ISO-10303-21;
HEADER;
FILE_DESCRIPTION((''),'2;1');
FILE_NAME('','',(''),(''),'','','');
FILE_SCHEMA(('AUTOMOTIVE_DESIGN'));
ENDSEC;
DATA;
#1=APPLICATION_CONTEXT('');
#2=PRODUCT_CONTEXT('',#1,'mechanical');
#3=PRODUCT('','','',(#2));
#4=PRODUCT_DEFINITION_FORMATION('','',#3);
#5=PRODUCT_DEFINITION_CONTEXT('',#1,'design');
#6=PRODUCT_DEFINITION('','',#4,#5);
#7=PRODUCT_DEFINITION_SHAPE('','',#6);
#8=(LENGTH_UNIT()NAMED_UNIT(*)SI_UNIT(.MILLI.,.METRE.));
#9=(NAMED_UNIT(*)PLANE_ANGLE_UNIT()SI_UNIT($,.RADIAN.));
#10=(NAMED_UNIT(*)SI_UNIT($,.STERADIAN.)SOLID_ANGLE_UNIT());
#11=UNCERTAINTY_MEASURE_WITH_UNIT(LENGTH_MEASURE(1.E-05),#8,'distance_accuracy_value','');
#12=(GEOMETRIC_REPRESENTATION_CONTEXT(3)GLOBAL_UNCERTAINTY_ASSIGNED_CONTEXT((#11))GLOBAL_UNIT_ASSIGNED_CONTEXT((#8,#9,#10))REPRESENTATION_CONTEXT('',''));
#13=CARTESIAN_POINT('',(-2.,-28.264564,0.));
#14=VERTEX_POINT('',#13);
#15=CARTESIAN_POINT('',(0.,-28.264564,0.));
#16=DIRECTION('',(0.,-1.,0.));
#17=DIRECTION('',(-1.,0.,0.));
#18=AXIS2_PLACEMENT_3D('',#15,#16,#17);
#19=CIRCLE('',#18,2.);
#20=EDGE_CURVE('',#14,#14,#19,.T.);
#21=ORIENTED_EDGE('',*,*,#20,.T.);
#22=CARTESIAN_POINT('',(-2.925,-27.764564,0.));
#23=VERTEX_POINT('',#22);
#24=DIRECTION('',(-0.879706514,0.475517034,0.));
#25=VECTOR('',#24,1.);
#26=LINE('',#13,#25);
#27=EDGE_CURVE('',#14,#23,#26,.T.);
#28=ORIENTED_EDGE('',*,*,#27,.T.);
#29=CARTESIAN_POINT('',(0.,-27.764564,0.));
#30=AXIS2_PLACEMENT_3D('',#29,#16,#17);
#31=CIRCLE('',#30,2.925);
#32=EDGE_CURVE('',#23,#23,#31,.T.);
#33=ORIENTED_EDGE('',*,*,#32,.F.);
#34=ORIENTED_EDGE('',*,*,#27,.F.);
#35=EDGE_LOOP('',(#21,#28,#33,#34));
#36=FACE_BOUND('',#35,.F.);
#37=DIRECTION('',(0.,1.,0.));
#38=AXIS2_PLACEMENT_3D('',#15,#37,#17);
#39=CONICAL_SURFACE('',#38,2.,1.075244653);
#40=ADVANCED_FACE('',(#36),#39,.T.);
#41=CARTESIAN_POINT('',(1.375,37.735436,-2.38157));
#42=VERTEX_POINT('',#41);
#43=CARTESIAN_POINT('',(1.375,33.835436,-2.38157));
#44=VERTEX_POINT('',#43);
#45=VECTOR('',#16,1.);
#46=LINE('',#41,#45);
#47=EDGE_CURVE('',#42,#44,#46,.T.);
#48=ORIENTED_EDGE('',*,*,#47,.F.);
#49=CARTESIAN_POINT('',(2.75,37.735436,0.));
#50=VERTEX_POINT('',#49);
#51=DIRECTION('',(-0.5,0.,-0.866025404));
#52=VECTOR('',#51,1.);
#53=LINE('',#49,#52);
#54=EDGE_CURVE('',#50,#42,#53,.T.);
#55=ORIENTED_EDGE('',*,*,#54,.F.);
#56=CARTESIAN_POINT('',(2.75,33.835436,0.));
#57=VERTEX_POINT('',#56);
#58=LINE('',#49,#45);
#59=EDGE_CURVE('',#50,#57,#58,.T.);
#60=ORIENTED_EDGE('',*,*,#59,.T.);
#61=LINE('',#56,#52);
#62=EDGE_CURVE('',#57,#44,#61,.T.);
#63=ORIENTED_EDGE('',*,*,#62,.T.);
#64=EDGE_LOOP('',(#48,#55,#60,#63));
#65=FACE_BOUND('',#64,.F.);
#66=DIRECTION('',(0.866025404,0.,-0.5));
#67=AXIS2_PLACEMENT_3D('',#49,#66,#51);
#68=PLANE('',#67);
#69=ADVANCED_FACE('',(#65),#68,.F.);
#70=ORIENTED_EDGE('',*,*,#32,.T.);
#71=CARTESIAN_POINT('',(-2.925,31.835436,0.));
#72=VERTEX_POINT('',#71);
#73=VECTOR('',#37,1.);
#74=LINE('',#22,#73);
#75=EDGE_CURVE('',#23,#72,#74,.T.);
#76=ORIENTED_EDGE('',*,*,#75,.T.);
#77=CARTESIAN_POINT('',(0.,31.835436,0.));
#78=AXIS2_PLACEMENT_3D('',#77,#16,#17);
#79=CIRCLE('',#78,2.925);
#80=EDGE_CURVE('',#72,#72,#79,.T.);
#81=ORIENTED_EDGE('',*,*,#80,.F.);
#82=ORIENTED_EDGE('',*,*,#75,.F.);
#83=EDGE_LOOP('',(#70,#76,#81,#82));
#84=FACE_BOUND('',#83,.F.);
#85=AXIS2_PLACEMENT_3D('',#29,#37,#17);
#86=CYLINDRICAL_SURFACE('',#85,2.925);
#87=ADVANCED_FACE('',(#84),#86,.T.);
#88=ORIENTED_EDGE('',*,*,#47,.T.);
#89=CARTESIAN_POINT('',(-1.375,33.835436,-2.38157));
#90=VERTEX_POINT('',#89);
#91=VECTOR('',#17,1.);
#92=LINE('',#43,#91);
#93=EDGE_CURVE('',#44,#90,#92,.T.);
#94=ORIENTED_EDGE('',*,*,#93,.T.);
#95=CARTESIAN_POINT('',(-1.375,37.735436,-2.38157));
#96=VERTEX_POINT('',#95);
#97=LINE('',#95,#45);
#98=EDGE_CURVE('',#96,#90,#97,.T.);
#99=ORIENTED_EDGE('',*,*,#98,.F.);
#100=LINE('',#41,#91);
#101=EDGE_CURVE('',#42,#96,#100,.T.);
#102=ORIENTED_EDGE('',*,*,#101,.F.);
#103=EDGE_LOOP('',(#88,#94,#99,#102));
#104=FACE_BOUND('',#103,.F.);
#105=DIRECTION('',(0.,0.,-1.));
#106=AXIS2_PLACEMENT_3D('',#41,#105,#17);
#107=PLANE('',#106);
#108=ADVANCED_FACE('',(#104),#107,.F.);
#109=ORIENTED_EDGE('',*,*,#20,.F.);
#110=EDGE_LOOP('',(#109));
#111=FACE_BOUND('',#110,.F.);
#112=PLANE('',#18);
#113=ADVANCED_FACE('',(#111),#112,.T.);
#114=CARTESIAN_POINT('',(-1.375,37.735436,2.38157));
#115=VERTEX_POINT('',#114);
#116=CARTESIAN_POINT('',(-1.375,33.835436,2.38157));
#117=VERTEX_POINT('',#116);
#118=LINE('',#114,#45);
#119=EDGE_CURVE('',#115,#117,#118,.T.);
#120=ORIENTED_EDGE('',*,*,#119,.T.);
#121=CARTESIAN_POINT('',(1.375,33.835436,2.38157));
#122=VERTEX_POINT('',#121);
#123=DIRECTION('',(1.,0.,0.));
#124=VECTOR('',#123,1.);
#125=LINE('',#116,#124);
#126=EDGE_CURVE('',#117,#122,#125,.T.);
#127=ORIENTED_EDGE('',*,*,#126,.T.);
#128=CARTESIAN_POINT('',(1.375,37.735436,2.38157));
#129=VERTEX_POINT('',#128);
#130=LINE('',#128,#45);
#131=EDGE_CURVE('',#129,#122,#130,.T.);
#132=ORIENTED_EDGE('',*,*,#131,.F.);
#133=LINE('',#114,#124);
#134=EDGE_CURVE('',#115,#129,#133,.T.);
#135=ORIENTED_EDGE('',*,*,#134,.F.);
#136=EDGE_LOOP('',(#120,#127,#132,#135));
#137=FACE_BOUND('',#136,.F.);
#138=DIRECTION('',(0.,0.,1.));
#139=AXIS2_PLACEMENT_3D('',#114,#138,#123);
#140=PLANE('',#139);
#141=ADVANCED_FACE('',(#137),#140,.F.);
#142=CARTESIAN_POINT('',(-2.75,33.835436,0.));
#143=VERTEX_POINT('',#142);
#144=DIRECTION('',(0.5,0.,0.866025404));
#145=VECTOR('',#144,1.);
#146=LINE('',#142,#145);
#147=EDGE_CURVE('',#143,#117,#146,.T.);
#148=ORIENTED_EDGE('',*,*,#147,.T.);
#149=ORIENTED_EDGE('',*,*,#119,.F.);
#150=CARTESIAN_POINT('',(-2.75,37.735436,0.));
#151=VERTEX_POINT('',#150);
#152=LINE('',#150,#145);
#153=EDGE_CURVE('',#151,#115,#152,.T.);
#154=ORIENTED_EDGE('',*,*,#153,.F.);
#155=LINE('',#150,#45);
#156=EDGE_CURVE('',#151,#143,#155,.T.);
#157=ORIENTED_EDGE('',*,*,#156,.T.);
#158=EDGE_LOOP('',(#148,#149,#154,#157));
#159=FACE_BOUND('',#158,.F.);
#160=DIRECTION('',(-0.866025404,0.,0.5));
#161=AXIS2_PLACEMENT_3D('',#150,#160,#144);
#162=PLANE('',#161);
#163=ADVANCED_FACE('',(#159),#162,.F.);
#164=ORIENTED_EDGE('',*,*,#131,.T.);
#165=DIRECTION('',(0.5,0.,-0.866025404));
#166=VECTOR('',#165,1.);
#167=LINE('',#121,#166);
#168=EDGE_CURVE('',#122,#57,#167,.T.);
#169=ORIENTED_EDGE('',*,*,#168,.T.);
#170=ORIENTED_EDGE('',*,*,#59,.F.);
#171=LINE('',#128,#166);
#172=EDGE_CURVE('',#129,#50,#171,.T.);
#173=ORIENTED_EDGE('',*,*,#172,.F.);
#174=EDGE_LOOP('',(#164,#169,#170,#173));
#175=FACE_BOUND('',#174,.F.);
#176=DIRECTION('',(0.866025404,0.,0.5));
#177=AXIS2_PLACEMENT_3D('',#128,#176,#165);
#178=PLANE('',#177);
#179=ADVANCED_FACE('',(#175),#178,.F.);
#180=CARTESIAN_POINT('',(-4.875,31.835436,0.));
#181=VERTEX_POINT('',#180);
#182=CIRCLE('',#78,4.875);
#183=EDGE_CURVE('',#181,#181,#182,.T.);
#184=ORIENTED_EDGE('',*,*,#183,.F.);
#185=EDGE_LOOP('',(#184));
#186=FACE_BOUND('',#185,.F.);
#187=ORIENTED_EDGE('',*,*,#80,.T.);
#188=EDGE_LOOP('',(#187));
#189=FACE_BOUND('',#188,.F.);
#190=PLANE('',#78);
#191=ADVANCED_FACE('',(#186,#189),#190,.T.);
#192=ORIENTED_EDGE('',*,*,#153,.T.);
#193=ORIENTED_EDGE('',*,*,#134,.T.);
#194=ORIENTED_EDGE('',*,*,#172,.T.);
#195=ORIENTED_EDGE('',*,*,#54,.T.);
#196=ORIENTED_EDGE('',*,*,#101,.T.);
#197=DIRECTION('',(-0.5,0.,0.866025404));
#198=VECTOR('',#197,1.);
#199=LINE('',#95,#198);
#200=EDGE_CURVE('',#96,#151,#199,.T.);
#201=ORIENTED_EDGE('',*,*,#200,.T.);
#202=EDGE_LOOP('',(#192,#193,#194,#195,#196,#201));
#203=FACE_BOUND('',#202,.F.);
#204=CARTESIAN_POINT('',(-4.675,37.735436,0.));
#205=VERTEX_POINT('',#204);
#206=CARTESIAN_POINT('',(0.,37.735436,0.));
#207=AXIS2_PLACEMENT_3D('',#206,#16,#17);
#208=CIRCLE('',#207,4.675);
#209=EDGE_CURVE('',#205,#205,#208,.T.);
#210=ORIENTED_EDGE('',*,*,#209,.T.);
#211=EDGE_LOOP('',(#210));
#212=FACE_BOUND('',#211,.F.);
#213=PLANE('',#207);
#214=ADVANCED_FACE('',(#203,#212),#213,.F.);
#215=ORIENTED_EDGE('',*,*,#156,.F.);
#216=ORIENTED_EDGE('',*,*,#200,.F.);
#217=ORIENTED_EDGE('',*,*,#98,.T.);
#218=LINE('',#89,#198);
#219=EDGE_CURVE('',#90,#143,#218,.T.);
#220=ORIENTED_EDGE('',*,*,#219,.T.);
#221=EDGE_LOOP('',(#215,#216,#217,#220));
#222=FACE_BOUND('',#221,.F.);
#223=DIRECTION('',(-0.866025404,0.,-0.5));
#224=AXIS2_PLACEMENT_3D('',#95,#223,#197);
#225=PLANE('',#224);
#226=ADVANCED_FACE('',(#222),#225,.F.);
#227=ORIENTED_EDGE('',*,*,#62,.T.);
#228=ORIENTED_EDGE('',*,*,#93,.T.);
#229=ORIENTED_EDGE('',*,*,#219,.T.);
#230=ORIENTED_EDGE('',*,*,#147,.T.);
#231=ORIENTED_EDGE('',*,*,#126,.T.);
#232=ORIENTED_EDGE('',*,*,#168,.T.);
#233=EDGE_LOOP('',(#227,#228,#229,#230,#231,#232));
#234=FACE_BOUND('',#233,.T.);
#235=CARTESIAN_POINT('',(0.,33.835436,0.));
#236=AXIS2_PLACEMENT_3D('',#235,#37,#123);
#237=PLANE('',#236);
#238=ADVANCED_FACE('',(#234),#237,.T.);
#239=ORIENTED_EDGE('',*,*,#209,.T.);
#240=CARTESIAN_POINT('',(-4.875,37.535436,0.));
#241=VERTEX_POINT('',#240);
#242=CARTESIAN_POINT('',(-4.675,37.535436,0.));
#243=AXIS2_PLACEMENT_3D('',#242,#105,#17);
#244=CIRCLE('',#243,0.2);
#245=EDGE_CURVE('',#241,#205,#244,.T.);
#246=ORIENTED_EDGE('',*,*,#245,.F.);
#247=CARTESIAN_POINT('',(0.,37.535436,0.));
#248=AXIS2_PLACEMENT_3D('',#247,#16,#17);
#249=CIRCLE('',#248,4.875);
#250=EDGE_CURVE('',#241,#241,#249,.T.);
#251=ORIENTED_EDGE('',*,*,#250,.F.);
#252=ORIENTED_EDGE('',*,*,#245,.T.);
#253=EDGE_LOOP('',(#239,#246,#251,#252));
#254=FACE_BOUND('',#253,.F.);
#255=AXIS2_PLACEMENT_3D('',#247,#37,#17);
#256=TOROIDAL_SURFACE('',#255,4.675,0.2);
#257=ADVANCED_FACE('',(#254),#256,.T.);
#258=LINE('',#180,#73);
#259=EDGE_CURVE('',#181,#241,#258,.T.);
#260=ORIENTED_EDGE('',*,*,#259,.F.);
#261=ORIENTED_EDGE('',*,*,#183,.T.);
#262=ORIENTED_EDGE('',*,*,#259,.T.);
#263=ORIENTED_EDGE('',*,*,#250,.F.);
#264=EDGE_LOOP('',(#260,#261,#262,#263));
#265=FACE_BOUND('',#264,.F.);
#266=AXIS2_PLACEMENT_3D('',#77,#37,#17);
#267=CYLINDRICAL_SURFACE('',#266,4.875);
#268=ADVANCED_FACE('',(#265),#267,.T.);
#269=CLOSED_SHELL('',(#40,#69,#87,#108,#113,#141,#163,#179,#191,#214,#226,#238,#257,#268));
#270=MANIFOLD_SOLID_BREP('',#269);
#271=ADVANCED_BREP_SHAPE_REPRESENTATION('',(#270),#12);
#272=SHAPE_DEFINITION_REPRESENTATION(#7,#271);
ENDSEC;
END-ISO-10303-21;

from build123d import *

# Parameters (mm, degrees)
CORTAR_EXTRUIR1_DEPTH = 3.9
REDONDEO1_R           = 0.2


with BuildPart() as part:
    # Croquis1 → Revolución1 (revolve)
    with BuildSketch(Plane.XY):
        Polygon((0, 37.735435589), (0, -28.264564411), (-2, -28.264564411), (-2.925, -27.764564411), (-2.925, 31.835435589), (-4.875, 31.835435589), (-4.875, 37.735435589), align=None)
    revolve(axis=Axis((0, 37.735435589, 0), (0, -1, 0)))

    # Croquis2 → Cortar-Extruir1 (cut)
    with BuildSketch(Plane(origin=(0, 37.735435589, 0), x_dir=(1, 0, 0), z_dir=(0, 1, 0))):
        Polygon((2.75, 0), (1.375, 2.38156986), (-1.375, 2.38156986), (-2.75, 0), (-1.375, -2.38156986), (1.375, -2.38156986), align=None)
    extrude(amount=-CORTAR_EXTRUIR1_DEPTH, mode=Mode.SUBTRACT)

    # Redondeo1
    redondeo1_edges = [part.edges().sort_by_distance(p)[0] for p in [
        (4.875, 37.735435589, 0),
    ]]
    fillet(redondeo1_edges, radius=REDONDEO1_R)


solid = part.part
